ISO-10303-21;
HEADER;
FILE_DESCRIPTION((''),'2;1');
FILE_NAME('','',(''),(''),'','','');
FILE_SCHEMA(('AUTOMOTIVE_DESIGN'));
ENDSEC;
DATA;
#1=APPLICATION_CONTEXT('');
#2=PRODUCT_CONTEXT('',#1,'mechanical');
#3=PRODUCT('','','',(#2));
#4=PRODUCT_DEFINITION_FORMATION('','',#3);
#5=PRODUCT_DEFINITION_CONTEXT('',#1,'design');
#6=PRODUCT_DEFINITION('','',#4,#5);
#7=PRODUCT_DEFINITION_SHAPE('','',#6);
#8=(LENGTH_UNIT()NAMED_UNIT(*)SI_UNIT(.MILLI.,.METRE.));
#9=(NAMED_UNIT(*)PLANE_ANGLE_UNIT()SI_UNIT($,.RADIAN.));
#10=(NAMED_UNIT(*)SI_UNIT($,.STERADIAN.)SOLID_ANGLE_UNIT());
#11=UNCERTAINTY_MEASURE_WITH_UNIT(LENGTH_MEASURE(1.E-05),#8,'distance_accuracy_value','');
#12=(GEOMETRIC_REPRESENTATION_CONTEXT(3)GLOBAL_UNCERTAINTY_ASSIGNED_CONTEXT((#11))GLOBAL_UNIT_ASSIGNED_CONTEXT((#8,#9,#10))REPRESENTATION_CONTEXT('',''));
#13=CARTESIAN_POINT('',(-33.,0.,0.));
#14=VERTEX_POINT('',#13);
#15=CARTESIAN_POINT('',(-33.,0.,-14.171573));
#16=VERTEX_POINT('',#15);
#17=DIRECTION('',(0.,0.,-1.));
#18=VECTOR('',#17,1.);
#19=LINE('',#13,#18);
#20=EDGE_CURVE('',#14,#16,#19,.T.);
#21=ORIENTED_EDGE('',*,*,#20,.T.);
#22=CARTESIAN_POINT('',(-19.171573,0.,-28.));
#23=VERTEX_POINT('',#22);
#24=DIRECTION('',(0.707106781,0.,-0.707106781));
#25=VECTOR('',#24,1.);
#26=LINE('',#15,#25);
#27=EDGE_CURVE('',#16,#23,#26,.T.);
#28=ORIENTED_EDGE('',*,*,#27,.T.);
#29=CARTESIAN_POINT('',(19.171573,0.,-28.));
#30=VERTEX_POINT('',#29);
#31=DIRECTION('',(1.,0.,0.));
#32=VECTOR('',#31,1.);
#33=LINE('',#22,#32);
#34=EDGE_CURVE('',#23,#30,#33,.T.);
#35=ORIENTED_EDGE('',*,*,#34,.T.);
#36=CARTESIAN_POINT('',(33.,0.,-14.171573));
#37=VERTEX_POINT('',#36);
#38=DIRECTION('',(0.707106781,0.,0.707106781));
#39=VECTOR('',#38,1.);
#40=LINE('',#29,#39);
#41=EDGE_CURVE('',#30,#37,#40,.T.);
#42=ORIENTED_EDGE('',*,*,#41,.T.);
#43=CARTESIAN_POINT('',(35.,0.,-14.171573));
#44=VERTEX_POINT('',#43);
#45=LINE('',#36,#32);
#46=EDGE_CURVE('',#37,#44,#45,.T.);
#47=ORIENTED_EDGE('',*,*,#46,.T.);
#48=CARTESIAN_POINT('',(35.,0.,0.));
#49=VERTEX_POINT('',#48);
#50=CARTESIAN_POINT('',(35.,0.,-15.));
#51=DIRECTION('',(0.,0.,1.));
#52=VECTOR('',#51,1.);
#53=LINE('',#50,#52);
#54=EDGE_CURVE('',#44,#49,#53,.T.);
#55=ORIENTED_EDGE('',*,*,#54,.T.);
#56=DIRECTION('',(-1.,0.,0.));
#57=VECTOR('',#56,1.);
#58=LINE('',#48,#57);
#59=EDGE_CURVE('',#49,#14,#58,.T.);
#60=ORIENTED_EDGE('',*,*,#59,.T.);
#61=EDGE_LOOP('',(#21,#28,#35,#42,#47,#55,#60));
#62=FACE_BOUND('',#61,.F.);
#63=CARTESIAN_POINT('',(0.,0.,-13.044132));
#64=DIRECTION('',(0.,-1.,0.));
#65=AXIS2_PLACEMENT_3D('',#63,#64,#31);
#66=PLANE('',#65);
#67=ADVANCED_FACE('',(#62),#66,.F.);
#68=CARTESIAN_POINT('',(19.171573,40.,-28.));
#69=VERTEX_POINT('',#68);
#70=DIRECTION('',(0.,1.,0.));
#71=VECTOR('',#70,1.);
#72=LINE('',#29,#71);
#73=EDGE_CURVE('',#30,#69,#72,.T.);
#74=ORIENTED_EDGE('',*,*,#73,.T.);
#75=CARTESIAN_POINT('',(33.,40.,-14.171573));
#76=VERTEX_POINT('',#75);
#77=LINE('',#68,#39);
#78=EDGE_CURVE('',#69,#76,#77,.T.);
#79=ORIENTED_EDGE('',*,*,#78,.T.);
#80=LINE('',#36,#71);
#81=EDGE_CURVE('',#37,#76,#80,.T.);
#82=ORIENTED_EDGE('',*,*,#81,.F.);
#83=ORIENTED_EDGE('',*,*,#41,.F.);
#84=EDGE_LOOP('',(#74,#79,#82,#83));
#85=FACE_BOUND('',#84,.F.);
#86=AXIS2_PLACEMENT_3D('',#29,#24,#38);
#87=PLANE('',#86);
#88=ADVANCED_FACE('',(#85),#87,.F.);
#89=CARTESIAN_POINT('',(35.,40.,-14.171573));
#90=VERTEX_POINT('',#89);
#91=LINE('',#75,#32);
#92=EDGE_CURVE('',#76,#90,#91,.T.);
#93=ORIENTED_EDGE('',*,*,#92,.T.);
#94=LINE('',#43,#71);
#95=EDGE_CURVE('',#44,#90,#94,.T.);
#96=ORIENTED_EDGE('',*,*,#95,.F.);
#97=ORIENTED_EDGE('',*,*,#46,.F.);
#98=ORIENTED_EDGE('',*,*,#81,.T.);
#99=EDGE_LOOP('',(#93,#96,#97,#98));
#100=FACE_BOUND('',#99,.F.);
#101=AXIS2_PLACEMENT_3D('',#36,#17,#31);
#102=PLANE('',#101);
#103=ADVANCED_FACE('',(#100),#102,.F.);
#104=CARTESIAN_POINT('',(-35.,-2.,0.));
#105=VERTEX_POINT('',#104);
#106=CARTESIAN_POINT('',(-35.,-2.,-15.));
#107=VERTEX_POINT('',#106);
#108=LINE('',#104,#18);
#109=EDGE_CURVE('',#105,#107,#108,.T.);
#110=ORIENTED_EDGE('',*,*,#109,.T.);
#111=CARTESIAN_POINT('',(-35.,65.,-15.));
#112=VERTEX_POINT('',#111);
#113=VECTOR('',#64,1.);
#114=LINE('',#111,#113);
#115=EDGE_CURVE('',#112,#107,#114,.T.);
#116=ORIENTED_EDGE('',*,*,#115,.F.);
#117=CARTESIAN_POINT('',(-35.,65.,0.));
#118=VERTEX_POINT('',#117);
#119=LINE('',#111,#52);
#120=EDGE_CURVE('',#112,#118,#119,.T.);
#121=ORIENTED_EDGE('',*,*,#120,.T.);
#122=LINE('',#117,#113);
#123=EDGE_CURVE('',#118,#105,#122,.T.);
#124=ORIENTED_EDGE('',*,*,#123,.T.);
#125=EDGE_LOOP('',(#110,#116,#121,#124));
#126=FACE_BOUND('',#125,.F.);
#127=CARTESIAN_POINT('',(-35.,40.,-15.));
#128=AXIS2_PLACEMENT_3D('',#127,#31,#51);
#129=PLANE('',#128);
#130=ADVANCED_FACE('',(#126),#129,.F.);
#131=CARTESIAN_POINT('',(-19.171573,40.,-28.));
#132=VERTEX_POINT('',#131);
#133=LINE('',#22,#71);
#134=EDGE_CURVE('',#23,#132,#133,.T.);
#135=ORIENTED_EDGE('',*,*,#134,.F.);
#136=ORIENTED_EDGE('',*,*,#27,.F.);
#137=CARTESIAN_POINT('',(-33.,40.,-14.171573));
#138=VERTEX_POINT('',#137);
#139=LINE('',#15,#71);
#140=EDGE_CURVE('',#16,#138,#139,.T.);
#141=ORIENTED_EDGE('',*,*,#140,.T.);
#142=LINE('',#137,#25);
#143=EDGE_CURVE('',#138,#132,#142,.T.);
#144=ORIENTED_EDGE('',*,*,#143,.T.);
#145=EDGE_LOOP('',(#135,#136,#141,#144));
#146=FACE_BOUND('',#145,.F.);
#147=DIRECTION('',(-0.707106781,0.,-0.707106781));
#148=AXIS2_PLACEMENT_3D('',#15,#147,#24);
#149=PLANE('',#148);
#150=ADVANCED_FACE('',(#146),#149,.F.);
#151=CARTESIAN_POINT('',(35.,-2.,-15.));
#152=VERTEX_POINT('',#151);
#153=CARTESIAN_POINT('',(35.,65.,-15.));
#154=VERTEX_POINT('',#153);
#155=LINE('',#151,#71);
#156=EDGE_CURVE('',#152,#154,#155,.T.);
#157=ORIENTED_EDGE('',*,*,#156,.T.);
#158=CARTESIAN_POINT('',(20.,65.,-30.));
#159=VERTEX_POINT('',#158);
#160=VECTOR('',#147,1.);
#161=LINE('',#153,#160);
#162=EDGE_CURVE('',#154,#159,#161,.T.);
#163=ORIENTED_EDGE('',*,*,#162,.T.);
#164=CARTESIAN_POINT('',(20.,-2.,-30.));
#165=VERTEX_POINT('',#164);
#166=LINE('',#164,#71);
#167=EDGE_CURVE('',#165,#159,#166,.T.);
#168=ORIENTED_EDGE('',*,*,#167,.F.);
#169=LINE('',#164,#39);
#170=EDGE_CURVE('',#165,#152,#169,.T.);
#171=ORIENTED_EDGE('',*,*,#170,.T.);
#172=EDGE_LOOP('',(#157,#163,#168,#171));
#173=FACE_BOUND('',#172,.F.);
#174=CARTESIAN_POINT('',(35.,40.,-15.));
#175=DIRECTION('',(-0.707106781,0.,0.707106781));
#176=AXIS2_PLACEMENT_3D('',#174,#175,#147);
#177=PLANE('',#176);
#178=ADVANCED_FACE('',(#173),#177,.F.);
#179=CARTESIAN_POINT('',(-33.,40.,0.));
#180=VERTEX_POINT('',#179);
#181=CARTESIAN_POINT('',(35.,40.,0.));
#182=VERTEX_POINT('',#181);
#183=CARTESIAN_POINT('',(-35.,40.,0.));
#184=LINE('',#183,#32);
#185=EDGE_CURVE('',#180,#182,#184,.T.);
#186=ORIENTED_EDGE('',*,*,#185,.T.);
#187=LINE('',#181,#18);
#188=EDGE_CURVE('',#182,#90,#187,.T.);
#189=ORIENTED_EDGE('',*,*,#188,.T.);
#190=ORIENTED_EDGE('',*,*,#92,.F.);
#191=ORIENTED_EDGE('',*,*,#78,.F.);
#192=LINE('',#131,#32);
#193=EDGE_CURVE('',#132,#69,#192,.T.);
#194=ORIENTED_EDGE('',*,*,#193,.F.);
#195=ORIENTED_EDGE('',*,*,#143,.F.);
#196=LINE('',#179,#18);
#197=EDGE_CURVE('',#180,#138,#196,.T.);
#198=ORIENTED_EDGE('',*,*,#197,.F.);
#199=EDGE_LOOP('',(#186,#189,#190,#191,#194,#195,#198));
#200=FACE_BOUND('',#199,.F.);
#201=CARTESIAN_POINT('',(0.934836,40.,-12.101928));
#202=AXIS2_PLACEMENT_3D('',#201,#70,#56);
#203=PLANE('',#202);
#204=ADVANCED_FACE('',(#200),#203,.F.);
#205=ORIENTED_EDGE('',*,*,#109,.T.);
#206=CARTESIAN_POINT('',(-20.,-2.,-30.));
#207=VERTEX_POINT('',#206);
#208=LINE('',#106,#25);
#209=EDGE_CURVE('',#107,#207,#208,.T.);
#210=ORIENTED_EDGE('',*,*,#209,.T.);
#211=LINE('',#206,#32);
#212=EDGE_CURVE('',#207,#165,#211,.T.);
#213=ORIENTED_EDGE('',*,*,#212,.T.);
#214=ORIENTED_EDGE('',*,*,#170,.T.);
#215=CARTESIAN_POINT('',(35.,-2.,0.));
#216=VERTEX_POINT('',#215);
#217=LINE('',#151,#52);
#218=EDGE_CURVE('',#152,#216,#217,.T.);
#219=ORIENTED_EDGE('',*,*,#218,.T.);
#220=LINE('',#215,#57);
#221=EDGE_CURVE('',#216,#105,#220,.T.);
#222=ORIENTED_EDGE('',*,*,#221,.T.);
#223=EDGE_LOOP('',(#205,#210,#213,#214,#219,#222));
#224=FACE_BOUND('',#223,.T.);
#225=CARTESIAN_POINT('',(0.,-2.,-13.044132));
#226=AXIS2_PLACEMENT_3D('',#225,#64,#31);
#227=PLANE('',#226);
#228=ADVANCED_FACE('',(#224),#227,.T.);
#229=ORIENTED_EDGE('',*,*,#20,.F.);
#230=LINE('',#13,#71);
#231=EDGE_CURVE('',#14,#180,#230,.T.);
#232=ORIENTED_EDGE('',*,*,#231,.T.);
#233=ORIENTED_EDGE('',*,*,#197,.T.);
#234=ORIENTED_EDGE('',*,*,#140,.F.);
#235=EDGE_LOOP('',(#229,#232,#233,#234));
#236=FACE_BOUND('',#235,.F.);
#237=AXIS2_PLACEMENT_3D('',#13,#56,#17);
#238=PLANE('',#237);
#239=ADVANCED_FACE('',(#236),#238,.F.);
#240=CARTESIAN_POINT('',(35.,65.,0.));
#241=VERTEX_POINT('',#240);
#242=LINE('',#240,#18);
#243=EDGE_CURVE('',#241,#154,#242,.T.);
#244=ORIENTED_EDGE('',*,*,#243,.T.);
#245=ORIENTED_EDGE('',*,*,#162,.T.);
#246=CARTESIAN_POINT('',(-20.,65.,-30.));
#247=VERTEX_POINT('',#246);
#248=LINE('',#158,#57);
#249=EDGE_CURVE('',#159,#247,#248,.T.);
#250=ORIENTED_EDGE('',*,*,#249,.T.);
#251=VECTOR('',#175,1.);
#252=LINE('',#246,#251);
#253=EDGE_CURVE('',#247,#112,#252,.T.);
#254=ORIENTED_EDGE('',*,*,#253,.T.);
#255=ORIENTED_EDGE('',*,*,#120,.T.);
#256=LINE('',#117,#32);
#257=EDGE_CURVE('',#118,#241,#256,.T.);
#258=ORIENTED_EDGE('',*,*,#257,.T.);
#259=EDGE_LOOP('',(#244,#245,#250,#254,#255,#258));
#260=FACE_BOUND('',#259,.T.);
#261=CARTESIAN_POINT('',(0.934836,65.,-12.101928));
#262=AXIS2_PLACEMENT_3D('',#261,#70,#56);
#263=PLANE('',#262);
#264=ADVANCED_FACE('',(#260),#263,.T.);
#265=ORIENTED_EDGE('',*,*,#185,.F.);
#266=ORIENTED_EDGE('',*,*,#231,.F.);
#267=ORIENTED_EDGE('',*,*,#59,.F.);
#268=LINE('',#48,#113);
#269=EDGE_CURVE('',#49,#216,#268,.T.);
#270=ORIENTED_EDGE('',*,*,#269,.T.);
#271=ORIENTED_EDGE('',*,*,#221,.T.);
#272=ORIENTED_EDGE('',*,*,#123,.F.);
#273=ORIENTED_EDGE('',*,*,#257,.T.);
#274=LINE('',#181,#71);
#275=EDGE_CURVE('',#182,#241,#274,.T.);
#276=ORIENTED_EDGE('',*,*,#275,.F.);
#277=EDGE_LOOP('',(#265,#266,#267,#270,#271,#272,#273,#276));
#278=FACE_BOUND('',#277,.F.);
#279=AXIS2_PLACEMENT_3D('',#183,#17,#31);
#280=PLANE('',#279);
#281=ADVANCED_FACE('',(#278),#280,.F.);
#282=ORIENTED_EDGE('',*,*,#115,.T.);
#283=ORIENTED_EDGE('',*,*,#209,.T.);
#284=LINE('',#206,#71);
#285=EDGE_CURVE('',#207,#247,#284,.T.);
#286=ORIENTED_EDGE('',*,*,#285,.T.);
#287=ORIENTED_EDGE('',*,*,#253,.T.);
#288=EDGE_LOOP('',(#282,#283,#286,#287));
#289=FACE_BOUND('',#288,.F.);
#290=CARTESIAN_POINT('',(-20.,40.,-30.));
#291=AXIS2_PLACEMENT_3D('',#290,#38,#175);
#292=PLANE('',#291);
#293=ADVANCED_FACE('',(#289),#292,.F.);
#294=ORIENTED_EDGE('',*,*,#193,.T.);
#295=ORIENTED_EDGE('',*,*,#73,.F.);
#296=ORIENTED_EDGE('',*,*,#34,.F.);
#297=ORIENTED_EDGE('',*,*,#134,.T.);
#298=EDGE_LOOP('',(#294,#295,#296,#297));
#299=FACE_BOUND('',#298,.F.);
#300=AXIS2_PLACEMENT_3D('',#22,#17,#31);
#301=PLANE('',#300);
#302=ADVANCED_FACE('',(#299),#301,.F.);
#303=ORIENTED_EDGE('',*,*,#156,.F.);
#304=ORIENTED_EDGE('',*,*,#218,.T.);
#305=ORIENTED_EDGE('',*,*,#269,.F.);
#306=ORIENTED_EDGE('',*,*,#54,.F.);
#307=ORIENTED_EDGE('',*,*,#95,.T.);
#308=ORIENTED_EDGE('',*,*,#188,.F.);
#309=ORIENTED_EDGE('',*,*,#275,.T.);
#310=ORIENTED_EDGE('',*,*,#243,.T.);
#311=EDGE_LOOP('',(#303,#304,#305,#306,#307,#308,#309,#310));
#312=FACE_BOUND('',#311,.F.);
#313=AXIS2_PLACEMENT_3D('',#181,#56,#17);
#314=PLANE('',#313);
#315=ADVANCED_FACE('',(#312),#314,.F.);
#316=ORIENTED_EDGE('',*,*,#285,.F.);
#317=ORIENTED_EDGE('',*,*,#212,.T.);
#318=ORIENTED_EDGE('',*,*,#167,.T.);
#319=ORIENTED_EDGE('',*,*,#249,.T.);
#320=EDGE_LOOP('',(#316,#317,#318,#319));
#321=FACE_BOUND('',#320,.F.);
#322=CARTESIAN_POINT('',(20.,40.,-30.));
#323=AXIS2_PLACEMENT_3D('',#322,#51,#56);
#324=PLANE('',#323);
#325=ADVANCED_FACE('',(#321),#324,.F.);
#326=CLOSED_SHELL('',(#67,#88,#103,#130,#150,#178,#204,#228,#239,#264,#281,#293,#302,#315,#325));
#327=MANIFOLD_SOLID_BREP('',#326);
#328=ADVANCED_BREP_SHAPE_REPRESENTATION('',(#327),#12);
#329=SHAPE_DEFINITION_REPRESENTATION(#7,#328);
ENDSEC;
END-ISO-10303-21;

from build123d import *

# Parameters (mm, degrees)
F1_DEPTH = 2
F3_DEPTH = 40
F5_DEPTH = 25


with BuildPart() as f1:
    # F0 (on Front) → F1 (new body)
    with BuildSketch(Plane.XZ):
        Polygon((35, -15), (35, 0), (-35, 0), (-35, -15), (-20, -30), (20, -30), align=None)
    extrude(amount=F1_DEPTH)

    # F2 (on face) → F3 (join)
    with BuildSketch(Plane(origin=(0, 0, 0), x_dir=(-1, 0, 0), z_dir=(0, 1, 0))):
        Polygon((33, -14.1715728753), (19.1715728753, -28), (-19.1715728753, -28), (-33, -14.1715728753), (-35, -14.1715728753), (-35, -15), (-20, -30), (20, -30), (35, -15), (35, 0), (33, 0), (33, -2), align=None)
    extrude(amount=F3_DEPTH)

    # F4 (on face) → F5 (join)
    with BuildSketch(Plane(origin=(0, 40, 0), x_dir=(-1, 0, 0), z_dir=(0, 1, 0))):
        Polygon((-19.1715728753, -28), (19.1715728753, -28), (33, -14.1715728753), (33, 0), (-35, 0), (-35, -14.1715728753), (-33, -14.1715728753), align=None)
        Polygon((33, -14.1715728753), (19.1715728753, -28), (-19.1715728753, -28), (-33, -14.1715728753), (-35, -14.1715728753), (-35, -15), (-20, -30), (20, -30), (35, -15), (35, 0), (33, 0), align=None)
    extrude(amount=F5_DEPTH)


solid = f1.part
